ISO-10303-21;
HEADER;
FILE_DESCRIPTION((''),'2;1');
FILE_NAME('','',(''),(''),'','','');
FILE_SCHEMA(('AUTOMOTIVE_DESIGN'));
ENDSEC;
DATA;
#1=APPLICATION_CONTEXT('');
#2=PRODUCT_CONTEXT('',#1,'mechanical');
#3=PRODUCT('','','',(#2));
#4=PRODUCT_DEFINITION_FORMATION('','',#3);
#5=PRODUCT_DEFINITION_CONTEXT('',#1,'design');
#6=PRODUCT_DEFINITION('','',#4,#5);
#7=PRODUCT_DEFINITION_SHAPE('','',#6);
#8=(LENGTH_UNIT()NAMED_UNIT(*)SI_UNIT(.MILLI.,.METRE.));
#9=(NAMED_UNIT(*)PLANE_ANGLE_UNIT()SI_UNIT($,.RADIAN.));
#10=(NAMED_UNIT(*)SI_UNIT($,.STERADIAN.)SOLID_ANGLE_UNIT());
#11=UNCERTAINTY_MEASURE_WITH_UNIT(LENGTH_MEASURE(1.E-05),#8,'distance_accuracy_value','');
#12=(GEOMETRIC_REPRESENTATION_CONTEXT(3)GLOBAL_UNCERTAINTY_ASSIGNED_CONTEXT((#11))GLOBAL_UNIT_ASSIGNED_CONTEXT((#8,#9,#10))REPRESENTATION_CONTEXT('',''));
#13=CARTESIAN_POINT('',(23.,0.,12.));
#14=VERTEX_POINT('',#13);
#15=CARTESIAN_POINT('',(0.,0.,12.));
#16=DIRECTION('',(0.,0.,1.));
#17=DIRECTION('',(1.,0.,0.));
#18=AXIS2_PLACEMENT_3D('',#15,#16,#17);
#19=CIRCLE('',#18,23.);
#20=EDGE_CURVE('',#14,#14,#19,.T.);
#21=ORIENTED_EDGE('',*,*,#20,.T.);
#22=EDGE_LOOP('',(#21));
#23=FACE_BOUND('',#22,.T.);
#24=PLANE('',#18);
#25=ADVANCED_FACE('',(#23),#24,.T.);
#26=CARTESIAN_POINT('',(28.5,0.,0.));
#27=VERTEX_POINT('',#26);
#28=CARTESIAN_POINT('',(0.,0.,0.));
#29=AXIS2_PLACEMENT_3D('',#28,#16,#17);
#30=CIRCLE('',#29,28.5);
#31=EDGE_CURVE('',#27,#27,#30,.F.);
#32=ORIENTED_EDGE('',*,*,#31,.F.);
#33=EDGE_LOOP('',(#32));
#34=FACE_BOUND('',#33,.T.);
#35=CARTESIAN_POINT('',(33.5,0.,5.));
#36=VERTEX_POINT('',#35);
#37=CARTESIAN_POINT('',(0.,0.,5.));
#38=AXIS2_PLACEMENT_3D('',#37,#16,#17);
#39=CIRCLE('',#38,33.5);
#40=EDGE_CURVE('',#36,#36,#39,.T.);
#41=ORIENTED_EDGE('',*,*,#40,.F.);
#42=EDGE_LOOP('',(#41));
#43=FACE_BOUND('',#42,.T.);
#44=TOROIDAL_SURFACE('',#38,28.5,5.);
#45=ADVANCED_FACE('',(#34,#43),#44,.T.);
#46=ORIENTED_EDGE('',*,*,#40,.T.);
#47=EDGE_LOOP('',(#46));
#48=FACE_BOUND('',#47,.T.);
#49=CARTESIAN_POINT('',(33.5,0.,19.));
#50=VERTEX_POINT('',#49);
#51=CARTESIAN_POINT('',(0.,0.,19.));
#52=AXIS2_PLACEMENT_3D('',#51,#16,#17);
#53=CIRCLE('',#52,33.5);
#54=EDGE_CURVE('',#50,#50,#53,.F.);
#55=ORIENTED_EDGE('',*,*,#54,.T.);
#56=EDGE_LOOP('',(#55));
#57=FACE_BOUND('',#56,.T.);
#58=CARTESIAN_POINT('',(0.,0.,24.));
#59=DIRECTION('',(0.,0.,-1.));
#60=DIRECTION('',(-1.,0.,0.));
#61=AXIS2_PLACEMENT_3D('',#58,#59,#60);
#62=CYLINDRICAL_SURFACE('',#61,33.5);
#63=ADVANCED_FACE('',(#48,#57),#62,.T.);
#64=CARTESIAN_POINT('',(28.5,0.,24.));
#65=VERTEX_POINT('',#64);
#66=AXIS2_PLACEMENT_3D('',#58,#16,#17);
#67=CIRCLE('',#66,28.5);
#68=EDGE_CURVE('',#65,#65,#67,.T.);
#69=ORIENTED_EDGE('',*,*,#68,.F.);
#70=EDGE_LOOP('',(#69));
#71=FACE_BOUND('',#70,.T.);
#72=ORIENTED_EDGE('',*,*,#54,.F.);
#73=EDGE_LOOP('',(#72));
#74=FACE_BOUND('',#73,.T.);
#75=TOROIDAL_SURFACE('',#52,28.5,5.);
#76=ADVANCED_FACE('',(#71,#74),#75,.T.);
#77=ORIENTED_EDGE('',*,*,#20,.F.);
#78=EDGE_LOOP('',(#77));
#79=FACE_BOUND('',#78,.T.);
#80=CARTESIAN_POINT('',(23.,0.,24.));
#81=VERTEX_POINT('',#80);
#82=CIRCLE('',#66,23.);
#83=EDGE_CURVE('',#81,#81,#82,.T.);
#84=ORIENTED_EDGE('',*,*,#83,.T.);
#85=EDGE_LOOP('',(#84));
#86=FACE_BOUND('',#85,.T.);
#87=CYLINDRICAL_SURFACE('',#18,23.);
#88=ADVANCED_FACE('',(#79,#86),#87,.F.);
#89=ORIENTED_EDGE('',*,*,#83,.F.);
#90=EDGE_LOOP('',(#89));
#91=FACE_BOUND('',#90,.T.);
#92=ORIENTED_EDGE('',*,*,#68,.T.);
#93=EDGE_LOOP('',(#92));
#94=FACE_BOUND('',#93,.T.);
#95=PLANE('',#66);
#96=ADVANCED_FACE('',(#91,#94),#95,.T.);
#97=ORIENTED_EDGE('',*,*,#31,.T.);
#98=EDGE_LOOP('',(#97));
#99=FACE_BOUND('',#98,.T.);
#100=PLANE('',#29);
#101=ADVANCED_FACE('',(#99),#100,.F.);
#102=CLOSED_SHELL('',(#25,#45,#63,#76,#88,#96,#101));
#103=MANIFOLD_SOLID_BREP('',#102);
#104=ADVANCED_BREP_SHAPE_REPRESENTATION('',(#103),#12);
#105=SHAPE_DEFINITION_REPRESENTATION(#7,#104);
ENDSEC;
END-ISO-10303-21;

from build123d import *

# Parameters (mm, degrees)
ESQUISSE1_R             = 33.5
BOSS_EXTRU_1_DEPTH      = 24
CONG_1_R                = 5
CONG_2_R                = 5
ESQUISSE2_R             = 23
ENL_V_MAT_EXTRU_1_DEPTH = 12


with BuildPart() as part:
    # Esquisse1 → Boss.-Extru.1 (new body)
    with BuildSketch(Plane.XY):
        Circle(ESQUISSE1_R)
    extrude(amount=BOSS_EXTRU_1_DEPTH)

    # Congé1
    cong_1_edges = [part.edges().sort_by_distance(p)[0] for p in [
        (-33.5, 0, 24),
    ]]
    fillet(cong_1_edges, radius=CONG_1_R)

    # Congé2
    cong_2_edges = [part.edges().sort_by_distance(p)[0] for p in [
        (-33.5, 0, 0),
    ]]
    fillet(cong_2_edges, radius=CONG_2_R)

    # Esquisse2 → Enlèv. mat.-Extru.1 (cut)
    with BuildSketch(Plane.XY.offset(24)):
        Circle(ESQUISSE2_R)
    extrude(amount=-ENL_V_MAT_EXTRU_1_DEPTH, mode=Mode.SUBTRACT)


solid = part.part
